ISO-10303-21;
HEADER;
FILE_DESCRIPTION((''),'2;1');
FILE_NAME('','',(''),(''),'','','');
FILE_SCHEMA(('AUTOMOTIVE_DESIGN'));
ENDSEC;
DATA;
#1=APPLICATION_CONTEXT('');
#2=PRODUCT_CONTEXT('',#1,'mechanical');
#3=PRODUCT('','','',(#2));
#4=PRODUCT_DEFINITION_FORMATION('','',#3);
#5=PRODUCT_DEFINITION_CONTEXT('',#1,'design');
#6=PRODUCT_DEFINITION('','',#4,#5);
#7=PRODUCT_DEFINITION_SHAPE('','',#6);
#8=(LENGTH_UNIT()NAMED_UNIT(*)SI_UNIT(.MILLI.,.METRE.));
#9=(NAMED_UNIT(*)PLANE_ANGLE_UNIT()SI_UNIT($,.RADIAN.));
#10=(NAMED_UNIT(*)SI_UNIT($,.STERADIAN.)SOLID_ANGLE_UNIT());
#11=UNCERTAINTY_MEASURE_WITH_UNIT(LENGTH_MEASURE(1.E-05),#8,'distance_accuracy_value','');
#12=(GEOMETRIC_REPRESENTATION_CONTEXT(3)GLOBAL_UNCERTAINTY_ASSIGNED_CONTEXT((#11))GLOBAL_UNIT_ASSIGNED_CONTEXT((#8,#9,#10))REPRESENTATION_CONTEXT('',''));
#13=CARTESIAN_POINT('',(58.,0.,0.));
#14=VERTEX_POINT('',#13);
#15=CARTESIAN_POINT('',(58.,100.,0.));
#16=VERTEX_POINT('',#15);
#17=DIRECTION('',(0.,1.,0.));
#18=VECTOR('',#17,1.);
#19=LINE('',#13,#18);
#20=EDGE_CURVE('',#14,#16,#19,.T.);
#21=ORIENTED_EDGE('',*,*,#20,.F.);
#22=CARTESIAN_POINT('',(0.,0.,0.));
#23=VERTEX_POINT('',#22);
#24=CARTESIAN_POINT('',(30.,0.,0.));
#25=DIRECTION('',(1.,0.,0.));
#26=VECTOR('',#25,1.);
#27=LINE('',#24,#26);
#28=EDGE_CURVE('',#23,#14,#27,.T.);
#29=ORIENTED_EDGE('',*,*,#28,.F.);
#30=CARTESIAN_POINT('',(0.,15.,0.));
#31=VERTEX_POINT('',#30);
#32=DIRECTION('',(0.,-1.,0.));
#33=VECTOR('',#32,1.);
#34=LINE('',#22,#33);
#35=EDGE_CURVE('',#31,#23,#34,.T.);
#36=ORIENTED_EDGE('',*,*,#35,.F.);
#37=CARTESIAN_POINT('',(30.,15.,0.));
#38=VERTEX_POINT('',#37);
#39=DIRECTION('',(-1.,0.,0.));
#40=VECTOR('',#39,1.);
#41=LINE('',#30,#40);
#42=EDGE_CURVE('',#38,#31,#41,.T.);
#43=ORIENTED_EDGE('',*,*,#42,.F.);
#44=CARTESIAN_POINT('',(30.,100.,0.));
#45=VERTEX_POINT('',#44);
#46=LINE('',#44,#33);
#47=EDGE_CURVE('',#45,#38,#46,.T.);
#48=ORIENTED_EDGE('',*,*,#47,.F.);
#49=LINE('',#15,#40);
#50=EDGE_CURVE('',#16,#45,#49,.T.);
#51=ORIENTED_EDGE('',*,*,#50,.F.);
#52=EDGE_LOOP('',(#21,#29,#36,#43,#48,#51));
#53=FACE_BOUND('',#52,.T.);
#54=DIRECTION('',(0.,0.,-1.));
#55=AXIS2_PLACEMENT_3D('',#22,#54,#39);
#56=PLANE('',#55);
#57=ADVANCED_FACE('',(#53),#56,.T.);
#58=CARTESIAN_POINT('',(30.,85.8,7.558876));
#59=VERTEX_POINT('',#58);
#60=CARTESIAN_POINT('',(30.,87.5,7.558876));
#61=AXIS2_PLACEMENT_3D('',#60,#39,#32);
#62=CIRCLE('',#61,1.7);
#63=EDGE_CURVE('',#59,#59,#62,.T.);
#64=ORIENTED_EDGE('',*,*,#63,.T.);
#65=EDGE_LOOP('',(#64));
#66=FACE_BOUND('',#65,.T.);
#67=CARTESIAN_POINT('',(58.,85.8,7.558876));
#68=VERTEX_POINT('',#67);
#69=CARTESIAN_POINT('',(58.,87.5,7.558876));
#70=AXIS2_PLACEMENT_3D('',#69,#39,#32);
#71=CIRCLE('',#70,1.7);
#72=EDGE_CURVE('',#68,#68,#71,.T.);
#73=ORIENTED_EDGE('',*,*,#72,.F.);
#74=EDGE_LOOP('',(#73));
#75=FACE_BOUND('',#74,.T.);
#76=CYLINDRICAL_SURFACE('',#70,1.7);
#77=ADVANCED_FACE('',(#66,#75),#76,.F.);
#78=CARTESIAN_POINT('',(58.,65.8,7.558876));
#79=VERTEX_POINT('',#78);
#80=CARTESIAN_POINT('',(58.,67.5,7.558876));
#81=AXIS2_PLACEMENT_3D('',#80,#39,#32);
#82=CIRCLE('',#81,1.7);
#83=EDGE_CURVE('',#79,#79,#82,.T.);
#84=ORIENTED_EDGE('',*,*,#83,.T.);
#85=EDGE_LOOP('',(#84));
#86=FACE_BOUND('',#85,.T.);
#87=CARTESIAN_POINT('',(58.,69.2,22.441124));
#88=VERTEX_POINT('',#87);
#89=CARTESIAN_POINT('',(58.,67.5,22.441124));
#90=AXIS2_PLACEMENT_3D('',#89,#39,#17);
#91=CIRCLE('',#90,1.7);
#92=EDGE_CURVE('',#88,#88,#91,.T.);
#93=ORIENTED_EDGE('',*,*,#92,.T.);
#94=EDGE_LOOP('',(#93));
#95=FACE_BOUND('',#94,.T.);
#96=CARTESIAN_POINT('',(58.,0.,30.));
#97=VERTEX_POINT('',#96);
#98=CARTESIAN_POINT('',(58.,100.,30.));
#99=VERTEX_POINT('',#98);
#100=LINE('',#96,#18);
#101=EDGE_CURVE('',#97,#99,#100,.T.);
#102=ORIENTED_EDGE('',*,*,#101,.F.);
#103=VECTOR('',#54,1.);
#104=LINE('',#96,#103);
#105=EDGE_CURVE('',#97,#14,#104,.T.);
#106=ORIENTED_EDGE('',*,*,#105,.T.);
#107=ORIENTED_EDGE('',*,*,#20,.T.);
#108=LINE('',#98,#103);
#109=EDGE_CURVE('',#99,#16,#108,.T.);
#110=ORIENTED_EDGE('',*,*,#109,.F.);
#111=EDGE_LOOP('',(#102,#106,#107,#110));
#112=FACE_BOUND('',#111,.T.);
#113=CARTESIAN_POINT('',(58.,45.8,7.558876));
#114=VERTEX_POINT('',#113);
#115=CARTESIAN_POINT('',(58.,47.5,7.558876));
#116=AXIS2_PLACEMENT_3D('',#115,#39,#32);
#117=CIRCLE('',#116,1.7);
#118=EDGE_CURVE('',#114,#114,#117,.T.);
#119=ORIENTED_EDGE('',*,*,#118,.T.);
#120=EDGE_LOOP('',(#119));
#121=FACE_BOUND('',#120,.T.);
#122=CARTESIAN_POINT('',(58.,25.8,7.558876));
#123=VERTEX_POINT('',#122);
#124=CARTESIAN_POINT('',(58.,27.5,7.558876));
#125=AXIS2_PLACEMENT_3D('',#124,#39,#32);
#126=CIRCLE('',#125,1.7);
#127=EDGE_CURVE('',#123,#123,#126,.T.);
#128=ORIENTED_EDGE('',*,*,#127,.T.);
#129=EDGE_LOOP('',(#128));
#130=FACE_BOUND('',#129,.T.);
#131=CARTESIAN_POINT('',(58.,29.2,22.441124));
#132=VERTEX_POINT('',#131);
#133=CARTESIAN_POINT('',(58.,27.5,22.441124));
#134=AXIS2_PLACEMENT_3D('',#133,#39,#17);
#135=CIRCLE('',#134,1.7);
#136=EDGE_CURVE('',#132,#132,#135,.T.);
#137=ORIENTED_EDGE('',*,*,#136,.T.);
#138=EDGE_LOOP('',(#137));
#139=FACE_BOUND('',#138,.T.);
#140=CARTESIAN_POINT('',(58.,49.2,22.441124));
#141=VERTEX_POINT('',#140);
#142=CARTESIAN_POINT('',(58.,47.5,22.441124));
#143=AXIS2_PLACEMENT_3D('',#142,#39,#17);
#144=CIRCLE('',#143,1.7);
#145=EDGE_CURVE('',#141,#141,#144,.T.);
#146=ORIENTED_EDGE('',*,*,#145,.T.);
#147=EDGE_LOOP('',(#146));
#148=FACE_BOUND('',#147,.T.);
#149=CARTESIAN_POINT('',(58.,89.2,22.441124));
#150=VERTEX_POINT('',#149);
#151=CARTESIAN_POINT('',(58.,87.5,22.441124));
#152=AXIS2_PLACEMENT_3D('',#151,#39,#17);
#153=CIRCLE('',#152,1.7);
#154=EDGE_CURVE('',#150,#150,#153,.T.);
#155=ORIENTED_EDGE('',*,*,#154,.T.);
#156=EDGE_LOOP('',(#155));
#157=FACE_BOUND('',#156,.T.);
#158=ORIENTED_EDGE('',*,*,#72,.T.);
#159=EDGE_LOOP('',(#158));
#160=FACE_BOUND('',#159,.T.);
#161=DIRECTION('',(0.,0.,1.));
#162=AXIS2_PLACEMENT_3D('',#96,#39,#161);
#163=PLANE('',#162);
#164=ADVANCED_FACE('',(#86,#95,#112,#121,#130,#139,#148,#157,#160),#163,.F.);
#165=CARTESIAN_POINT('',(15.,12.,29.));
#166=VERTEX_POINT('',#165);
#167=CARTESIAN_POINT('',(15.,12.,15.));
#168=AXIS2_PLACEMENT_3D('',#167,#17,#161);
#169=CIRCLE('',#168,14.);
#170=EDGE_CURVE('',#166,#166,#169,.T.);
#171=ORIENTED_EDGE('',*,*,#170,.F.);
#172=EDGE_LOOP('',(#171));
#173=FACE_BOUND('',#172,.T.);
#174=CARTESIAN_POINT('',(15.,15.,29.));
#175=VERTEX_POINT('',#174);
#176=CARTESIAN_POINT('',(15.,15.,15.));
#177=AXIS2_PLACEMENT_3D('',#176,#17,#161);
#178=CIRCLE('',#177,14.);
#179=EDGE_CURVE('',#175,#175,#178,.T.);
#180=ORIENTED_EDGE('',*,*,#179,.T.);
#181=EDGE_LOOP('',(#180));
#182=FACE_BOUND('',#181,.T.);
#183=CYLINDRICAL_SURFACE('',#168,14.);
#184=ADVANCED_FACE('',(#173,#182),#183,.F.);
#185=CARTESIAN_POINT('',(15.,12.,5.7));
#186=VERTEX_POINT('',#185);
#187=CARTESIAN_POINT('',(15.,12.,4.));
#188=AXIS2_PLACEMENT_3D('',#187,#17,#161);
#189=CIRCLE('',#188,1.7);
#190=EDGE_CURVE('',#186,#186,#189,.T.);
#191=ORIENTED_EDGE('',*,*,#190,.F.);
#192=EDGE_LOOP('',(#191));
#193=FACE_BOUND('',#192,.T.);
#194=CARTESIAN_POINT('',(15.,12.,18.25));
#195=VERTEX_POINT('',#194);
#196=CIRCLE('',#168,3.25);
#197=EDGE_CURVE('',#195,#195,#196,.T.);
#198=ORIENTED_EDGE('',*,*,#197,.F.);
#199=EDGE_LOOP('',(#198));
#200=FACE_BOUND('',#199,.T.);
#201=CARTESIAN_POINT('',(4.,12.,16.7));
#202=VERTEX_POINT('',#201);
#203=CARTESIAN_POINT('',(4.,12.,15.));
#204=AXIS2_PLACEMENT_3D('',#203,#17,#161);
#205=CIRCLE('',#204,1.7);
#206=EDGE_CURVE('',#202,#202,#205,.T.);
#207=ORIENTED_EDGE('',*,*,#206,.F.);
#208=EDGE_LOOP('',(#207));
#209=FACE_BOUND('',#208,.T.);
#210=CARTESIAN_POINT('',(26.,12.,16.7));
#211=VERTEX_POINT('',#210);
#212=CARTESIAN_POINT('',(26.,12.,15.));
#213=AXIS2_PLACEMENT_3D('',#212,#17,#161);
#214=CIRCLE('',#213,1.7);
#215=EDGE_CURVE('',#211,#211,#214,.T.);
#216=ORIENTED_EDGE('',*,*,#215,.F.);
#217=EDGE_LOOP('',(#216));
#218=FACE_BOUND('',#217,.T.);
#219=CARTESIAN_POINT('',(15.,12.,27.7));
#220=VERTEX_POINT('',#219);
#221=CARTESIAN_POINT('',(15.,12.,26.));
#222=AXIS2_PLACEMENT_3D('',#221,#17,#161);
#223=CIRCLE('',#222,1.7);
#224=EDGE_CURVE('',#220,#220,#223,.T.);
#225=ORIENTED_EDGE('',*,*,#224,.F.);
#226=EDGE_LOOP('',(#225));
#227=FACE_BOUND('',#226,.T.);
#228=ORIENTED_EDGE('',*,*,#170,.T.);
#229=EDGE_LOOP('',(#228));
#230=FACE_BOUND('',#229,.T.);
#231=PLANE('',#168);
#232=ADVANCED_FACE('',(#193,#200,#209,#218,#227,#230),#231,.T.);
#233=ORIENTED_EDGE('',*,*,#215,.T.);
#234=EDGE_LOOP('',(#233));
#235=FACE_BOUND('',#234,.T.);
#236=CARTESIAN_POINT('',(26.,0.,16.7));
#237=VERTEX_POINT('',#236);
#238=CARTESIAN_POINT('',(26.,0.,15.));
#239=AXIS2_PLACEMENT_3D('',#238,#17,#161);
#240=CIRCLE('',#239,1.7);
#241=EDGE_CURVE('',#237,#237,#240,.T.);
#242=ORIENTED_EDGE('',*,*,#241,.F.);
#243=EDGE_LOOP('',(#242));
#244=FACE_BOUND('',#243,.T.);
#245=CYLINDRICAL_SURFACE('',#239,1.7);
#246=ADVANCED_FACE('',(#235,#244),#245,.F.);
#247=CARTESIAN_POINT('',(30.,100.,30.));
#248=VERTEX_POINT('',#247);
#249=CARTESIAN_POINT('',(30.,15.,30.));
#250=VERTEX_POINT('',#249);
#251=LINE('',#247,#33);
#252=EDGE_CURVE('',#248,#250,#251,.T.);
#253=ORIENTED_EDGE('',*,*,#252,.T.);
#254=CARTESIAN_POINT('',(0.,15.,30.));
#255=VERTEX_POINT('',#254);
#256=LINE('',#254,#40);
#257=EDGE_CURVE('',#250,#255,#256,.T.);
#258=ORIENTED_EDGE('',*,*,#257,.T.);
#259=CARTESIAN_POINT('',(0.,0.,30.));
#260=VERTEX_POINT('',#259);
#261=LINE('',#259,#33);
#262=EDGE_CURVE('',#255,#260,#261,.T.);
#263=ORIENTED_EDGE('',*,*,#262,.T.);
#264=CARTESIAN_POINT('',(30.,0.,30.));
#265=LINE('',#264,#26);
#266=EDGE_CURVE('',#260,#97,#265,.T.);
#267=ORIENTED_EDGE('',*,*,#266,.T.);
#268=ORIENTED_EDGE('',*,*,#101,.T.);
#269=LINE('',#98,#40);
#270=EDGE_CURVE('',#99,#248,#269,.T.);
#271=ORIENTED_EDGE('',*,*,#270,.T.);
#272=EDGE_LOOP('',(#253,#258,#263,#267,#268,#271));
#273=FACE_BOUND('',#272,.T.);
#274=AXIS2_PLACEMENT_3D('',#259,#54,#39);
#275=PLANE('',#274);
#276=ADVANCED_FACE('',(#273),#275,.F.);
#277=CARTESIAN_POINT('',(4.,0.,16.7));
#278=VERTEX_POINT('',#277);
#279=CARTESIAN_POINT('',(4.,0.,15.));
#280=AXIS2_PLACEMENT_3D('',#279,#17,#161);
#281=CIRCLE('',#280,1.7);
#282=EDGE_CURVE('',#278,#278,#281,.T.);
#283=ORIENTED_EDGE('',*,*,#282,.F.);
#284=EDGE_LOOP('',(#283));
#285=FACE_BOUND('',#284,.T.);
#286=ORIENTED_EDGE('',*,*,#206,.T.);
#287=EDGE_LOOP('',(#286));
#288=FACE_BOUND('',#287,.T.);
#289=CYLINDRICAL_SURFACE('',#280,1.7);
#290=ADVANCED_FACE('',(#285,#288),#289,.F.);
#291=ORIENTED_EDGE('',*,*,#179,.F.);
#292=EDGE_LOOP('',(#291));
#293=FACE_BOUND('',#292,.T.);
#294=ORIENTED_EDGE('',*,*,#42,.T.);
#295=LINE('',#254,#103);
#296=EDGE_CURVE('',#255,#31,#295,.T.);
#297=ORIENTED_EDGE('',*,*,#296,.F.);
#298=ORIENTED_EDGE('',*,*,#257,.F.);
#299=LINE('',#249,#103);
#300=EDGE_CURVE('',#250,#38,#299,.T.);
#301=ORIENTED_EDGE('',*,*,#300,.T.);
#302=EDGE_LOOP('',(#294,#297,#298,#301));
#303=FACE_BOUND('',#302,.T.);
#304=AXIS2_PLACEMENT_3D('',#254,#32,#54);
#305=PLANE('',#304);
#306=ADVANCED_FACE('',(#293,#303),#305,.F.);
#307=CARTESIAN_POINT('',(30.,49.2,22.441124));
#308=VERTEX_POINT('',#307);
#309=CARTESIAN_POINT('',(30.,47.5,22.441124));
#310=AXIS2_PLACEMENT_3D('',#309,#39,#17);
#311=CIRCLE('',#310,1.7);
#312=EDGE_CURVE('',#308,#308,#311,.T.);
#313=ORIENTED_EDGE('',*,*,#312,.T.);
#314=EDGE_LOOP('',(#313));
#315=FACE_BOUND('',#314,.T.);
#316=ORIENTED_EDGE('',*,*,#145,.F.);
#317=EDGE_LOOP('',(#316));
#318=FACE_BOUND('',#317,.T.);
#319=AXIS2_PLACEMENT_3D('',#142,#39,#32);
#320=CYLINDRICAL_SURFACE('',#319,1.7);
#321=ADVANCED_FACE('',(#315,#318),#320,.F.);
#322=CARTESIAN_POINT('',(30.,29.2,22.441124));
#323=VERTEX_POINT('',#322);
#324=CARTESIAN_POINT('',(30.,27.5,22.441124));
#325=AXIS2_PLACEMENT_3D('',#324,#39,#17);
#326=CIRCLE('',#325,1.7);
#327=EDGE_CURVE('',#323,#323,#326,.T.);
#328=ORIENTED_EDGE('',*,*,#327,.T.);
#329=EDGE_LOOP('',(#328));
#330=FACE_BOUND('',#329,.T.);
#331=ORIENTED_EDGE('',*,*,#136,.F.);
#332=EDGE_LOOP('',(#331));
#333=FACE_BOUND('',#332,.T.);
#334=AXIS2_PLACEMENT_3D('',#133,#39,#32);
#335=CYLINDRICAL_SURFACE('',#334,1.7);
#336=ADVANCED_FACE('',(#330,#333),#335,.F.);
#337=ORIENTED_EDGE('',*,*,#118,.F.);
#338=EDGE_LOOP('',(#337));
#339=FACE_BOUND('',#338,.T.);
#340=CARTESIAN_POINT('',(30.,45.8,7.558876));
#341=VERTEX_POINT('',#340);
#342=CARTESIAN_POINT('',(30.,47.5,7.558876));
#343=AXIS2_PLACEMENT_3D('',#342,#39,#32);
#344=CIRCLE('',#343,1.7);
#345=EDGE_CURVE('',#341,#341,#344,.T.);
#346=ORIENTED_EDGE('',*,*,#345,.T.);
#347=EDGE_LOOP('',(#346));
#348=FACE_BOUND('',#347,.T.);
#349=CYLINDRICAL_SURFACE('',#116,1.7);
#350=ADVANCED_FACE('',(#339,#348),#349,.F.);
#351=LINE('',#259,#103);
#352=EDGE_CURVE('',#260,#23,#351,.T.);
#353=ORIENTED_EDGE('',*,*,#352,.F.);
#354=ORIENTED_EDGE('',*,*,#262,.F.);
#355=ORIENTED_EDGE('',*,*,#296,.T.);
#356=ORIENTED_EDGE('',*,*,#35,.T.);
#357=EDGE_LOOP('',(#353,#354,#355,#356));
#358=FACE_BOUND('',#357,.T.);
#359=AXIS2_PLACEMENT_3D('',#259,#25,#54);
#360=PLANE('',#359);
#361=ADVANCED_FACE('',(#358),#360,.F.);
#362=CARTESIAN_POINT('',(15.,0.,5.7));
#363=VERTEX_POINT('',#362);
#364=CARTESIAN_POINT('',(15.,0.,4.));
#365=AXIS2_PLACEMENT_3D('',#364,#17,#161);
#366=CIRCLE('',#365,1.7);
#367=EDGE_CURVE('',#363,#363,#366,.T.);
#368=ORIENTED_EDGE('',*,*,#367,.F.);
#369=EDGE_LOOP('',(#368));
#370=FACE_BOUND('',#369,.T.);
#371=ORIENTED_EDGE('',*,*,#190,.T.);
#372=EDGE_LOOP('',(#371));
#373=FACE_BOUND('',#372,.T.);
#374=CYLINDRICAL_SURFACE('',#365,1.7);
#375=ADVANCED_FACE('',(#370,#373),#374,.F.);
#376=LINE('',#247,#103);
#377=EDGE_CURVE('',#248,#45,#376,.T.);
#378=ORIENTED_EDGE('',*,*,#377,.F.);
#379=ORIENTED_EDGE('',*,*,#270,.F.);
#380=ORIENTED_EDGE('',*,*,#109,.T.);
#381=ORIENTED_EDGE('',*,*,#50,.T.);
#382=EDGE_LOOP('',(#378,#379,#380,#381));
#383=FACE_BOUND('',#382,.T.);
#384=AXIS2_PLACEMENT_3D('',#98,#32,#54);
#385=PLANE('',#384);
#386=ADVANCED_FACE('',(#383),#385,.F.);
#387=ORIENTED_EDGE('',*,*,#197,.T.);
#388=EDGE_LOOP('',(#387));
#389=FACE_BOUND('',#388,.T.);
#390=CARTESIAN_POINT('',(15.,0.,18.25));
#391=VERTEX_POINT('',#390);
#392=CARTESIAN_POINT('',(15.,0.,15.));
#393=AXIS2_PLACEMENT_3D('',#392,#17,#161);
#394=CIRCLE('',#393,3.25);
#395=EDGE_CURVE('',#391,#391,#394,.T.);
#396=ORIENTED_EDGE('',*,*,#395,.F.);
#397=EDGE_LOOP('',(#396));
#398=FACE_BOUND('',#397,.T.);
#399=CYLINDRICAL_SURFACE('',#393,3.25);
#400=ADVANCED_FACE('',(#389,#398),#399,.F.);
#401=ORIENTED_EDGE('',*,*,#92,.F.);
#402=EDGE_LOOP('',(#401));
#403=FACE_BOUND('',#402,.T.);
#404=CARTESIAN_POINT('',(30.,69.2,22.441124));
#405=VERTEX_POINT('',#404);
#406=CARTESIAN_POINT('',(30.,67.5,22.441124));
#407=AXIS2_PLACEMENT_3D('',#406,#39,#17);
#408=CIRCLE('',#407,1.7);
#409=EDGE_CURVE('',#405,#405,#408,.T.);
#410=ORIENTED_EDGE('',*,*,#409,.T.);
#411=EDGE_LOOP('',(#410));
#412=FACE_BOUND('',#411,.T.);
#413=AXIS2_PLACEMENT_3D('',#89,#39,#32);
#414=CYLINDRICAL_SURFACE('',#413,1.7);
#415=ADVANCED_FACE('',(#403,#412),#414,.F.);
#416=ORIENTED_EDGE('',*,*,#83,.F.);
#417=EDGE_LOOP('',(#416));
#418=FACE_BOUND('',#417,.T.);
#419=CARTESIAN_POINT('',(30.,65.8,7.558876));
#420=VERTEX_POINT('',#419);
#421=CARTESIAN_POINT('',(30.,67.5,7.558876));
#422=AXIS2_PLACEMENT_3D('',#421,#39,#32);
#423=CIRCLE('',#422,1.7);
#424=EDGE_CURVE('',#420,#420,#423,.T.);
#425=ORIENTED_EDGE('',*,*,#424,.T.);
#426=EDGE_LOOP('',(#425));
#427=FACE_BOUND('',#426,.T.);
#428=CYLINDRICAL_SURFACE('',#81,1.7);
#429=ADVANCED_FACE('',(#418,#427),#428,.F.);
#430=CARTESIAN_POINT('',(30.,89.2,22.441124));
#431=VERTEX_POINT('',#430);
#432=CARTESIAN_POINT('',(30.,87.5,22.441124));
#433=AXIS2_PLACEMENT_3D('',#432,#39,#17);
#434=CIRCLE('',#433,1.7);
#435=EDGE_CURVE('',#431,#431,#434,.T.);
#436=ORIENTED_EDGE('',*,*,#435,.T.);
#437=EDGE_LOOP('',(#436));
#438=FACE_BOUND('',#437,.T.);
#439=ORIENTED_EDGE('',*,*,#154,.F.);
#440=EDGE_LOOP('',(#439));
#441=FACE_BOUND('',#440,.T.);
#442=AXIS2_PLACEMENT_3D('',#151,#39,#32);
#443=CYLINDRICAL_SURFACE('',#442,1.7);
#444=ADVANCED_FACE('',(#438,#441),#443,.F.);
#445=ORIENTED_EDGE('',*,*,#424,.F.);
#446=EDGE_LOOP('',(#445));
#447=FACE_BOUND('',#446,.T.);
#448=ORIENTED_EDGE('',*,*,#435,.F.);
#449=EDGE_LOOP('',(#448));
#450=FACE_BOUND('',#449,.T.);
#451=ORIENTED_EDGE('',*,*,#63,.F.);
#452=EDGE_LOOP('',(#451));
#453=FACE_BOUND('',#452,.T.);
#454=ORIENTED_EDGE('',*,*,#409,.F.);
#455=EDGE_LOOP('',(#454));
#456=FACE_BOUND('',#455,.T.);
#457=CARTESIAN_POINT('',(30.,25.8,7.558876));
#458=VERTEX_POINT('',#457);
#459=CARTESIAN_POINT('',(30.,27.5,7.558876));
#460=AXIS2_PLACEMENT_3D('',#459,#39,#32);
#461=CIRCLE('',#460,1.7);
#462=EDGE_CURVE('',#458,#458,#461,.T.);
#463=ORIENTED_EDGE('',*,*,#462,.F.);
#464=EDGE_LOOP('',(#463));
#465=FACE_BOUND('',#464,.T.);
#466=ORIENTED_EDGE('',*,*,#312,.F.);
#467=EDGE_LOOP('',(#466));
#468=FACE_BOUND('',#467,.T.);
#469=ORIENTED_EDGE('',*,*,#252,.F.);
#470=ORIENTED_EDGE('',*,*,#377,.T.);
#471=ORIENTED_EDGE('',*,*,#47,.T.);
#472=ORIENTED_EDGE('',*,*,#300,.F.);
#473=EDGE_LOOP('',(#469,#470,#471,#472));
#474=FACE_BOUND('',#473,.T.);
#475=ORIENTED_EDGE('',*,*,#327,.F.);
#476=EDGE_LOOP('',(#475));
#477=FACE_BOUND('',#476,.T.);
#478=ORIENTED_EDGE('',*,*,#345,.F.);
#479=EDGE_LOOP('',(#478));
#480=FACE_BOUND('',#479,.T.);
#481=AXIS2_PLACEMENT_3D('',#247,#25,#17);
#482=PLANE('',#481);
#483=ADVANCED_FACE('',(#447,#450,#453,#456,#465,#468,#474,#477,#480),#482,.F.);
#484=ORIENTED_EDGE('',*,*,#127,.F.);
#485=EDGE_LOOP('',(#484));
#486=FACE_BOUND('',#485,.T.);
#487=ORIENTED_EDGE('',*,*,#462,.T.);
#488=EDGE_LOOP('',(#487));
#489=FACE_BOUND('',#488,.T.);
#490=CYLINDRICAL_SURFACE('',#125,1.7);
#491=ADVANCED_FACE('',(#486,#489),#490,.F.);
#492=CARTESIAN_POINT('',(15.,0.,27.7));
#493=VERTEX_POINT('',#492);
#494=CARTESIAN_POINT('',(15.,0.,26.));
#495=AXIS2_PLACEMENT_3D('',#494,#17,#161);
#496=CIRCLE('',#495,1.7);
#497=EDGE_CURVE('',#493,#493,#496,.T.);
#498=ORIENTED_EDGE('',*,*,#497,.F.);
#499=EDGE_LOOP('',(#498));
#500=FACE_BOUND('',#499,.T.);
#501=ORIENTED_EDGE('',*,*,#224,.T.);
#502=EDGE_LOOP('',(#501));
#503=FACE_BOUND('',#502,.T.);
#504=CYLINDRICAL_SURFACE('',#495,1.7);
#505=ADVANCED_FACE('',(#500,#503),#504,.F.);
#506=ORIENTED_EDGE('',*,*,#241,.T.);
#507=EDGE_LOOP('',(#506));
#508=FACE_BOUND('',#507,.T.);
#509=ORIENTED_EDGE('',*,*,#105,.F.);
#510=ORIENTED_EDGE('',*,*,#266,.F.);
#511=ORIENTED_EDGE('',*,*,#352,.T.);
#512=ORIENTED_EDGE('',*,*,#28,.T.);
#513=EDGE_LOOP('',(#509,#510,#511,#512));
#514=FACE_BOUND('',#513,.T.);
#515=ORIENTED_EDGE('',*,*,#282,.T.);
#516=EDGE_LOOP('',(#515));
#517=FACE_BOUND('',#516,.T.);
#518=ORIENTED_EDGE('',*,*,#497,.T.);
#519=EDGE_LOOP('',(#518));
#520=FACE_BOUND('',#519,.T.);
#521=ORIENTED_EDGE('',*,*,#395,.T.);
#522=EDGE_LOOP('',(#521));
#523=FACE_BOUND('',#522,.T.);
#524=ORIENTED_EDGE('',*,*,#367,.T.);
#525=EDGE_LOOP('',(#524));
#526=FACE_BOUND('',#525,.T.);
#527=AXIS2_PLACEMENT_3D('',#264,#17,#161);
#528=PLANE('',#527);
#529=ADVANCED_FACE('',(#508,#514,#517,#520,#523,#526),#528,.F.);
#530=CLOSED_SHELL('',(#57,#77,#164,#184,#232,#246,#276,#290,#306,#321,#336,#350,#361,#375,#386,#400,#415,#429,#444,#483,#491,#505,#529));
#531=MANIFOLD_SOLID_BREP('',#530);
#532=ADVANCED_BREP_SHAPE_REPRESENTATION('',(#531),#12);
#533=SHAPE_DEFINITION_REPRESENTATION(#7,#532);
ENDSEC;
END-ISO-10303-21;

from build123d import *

# Parameters (mm, degrees)
BOSS_EXTRUDE1_DEPTH = 30
SKETCH3_R           = 14
CUT_EXTRUDE1_DEPTH  = 3
SKETCH4_R           = 1.7
SKETCH4_R_2         = 3.25
CUT_EXTRUDE2_DEPTH  = 110.581020254
SKETCH5_R           = 1.7
CUT_EXTRUDE3_DEPTH  = 109.627804912


with BuildPart() as part:
    # Sketch2 → Boss-Extrude1 (new body)
    with BuildSketch(Plane.XY):
        Polygon((0, 0), (0, 15), (30, 15), (30, 100), (58, 100), (58, 0), (30, 0), align=None)
    extrude(amount=BOSS_EXTRUDE1_DEPTH)

    # Sketch3 → Cut-Extrude1 (cut)
    with BuildSketch(Plane(origin=(0, 15, 0), x_dir=(1, 0, 0), z_dir=(0, 1, 0))):
        with Locations(Location((15, -15, 0), (0, 0, 270))):
            Circle(SKETCH3_R)
    extrude(amount=-CUT_EXTRUDE1_DEPTH, mode=Mode.SUBTRACT)

    # Sketch4 → Cut-Extrude2 (cut, through all)
    with BuildSketch(Plane(origin=(0, 12, 0), x_dir=(1, 0, 0), z_dir=(0, 1, 0))):
        with Locations(Location((15, -4, 0), (0, 0, 270))):
            Circle(SKETCH4_R)
        with Locations(Location((26, -15, 0), (0, 0, 270))):
            Circle(SKETCH4_R)
        with Locations(Location((15, -26, 0), (0, 0, 270))):
            Circle(SKETCH4_R)
        with Locations(Location((4, -15, 0), (0, 0, 270))):
            Circle(SKETCH4_R)
        with Locations(Location((15, -15, 0), (0, 0, 270))):
            Circle(SKETCH4_R_2)
    extrude(amount=-CUT_EXTRUDE2_DEPTH, mode=Mode.SUBTRACT)

    # Sketch5 → Cut-Extrude3 (cut, through all)
    with BuildSketch(Plane.ZY.offset(-30)):
        with Locations(Location((7.558876463, 27.5, 0), (0, 0, 270))):
            Circle(SKETCH5_R)
        with Locations(Location((7.558876463, 47.5, 0), (0, 0, 270))):
            Circle(SKETCH5_R)
        with Locations(Location((7.558876463, 67.5, 0), (0, 0, 270))):
            Circle(SKETCH5_R)
        with Locations(Location((7.558876463, 87.5, 0), (0, 0, 270))):
            Circle(SKETCH5_R)
        with Locations(Location((22.441123537, 27.5, 0), (0, 0, 90))):
            Circle(SKETCH5_R)
        with Locations(Location((22.441123537, 47.5, 0), (0, 0, 90))):
            Circle(SKETCH5_R)
        with Locations(Location((22.441123537, 67.5, 0), (0, 0, 90))):
            Circle(SKETCH5_R)
        with Locations(Location((22.441123537, 87.5, 0), (0, 0, 90))):
            Circle(SKETCH5_R)
    extrude(amount=-CUT_EXTRUDE3_DEPTH, mode=Mode.SUBTRACT)


solid = part.part
